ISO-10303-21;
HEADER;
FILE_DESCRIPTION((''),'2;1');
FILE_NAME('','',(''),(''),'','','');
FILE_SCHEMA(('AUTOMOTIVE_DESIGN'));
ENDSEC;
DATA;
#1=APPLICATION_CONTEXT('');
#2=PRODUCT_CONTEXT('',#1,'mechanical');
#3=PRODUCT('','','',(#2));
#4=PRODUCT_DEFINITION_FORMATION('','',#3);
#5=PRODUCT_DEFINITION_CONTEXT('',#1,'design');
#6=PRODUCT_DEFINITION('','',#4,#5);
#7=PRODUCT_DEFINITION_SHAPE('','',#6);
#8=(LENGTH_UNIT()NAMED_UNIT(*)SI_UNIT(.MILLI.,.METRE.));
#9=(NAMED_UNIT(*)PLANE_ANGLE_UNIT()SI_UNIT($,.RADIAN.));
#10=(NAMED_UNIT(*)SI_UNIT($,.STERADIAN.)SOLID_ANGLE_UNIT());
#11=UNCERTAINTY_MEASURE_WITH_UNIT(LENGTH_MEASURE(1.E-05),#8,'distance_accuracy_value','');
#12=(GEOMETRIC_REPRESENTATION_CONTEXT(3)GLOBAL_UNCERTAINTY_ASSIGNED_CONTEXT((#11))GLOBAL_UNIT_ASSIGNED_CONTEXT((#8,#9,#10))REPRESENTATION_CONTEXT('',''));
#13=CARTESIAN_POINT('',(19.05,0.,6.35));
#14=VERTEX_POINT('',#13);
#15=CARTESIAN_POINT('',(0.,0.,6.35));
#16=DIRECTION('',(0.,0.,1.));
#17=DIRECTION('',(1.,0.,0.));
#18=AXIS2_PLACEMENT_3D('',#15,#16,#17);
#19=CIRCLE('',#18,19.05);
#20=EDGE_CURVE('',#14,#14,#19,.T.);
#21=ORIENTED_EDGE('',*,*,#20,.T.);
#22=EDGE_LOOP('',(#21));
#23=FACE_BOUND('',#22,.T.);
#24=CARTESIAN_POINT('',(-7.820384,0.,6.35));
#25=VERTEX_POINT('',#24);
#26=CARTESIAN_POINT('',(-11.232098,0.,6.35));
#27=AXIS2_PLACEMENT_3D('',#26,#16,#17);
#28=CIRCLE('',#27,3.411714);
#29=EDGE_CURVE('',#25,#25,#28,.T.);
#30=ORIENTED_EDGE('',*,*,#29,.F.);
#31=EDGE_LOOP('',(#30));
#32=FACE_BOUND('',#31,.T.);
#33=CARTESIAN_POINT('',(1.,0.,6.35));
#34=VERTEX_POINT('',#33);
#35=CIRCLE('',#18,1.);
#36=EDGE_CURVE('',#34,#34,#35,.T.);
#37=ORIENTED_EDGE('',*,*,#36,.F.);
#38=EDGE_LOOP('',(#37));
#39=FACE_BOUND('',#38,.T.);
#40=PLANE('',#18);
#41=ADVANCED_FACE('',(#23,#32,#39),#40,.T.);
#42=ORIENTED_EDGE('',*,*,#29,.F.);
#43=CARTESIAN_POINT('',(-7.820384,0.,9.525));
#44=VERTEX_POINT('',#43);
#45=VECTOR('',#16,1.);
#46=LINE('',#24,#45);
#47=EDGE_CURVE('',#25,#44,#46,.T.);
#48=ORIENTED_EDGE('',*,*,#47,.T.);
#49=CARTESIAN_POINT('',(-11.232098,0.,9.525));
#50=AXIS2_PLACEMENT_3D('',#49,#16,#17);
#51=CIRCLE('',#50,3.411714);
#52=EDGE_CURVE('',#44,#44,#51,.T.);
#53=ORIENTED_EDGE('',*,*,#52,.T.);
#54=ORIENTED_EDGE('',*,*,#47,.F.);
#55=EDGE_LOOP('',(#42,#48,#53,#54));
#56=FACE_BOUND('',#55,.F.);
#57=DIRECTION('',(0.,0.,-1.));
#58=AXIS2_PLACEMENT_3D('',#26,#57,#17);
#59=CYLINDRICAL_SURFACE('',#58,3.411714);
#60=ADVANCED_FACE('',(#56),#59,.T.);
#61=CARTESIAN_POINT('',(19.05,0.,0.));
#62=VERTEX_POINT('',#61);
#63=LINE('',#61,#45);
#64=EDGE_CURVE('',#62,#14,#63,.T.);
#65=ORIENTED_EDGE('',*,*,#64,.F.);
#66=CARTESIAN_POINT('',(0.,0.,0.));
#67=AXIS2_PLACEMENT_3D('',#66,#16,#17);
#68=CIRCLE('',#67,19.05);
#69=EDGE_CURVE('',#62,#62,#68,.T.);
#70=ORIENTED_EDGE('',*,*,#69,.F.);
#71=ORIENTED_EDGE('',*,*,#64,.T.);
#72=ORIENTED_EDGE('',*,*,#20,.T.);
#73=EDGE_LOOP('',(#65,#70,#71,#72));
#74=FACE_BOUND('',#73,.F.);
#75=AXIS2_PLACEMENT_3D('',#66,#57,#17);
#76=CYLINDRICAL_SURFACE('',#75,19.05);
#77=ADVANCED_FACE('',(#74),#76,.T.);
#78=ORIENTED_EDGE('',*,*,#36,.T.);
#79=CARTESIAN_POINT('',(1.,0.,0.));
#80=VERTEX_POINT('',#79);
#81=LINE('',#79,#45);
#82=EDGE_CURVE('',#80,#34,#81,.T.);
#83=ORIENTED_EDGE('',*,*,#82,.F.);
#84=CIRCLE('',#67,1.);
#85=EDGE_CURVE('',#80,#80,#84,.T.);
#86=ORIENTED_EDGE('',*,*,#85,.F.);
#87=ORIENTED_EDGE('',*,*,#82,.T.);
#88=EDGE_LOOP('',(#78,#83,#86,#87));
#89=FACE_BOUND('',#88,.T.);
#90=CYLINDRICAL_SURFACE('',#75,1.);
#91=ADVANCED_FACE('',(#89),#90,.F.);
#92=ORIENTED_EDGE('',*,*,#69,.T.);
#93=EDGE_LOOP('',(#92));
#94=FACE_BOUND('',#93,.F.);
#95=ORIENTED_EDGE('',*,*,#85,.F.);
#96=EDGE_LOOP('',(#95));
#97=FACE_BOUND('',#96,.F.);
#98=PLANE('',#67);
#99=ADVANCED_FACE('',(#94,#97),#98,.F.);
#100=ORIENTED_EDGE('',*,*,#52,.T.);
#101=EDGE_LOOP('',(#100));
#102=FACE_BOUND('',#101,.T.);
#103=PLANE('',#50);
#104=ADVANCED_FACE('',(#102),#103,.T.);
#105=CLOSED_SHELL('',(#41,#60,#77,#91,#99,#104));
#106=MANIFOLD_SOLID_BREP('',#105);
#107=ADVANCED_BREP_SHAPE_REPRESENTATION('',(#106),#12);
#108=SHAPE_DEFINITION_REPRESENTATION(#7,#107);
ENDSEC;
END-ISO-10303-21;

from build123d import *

# Parameters (mm, degrees)
F0_R     = 19.05
F0_R_2   = 1
F1_DEPTH = 6.35
F2_R     = 3.411714
F3_DEPTH = 3.175


with BuildPart() as f1:
    # F0 (on Top) → F1 (new body)
    with BuildSketch(Plane.XY):
        Circle(F0_R)
        Circle(F0_R_2, mode=Mode.SUBTRACT)
    extrude(amount=F1_DEPTH)

    # F2 (on face) → F3 (join)
    with BuildSketch(Plane.XY.offset(6.35)):
        with Locations((-11.232098, 0)):
            Circle(F2_R)
    extrude(amount=F3_DEPTH)


solid = f1.part
